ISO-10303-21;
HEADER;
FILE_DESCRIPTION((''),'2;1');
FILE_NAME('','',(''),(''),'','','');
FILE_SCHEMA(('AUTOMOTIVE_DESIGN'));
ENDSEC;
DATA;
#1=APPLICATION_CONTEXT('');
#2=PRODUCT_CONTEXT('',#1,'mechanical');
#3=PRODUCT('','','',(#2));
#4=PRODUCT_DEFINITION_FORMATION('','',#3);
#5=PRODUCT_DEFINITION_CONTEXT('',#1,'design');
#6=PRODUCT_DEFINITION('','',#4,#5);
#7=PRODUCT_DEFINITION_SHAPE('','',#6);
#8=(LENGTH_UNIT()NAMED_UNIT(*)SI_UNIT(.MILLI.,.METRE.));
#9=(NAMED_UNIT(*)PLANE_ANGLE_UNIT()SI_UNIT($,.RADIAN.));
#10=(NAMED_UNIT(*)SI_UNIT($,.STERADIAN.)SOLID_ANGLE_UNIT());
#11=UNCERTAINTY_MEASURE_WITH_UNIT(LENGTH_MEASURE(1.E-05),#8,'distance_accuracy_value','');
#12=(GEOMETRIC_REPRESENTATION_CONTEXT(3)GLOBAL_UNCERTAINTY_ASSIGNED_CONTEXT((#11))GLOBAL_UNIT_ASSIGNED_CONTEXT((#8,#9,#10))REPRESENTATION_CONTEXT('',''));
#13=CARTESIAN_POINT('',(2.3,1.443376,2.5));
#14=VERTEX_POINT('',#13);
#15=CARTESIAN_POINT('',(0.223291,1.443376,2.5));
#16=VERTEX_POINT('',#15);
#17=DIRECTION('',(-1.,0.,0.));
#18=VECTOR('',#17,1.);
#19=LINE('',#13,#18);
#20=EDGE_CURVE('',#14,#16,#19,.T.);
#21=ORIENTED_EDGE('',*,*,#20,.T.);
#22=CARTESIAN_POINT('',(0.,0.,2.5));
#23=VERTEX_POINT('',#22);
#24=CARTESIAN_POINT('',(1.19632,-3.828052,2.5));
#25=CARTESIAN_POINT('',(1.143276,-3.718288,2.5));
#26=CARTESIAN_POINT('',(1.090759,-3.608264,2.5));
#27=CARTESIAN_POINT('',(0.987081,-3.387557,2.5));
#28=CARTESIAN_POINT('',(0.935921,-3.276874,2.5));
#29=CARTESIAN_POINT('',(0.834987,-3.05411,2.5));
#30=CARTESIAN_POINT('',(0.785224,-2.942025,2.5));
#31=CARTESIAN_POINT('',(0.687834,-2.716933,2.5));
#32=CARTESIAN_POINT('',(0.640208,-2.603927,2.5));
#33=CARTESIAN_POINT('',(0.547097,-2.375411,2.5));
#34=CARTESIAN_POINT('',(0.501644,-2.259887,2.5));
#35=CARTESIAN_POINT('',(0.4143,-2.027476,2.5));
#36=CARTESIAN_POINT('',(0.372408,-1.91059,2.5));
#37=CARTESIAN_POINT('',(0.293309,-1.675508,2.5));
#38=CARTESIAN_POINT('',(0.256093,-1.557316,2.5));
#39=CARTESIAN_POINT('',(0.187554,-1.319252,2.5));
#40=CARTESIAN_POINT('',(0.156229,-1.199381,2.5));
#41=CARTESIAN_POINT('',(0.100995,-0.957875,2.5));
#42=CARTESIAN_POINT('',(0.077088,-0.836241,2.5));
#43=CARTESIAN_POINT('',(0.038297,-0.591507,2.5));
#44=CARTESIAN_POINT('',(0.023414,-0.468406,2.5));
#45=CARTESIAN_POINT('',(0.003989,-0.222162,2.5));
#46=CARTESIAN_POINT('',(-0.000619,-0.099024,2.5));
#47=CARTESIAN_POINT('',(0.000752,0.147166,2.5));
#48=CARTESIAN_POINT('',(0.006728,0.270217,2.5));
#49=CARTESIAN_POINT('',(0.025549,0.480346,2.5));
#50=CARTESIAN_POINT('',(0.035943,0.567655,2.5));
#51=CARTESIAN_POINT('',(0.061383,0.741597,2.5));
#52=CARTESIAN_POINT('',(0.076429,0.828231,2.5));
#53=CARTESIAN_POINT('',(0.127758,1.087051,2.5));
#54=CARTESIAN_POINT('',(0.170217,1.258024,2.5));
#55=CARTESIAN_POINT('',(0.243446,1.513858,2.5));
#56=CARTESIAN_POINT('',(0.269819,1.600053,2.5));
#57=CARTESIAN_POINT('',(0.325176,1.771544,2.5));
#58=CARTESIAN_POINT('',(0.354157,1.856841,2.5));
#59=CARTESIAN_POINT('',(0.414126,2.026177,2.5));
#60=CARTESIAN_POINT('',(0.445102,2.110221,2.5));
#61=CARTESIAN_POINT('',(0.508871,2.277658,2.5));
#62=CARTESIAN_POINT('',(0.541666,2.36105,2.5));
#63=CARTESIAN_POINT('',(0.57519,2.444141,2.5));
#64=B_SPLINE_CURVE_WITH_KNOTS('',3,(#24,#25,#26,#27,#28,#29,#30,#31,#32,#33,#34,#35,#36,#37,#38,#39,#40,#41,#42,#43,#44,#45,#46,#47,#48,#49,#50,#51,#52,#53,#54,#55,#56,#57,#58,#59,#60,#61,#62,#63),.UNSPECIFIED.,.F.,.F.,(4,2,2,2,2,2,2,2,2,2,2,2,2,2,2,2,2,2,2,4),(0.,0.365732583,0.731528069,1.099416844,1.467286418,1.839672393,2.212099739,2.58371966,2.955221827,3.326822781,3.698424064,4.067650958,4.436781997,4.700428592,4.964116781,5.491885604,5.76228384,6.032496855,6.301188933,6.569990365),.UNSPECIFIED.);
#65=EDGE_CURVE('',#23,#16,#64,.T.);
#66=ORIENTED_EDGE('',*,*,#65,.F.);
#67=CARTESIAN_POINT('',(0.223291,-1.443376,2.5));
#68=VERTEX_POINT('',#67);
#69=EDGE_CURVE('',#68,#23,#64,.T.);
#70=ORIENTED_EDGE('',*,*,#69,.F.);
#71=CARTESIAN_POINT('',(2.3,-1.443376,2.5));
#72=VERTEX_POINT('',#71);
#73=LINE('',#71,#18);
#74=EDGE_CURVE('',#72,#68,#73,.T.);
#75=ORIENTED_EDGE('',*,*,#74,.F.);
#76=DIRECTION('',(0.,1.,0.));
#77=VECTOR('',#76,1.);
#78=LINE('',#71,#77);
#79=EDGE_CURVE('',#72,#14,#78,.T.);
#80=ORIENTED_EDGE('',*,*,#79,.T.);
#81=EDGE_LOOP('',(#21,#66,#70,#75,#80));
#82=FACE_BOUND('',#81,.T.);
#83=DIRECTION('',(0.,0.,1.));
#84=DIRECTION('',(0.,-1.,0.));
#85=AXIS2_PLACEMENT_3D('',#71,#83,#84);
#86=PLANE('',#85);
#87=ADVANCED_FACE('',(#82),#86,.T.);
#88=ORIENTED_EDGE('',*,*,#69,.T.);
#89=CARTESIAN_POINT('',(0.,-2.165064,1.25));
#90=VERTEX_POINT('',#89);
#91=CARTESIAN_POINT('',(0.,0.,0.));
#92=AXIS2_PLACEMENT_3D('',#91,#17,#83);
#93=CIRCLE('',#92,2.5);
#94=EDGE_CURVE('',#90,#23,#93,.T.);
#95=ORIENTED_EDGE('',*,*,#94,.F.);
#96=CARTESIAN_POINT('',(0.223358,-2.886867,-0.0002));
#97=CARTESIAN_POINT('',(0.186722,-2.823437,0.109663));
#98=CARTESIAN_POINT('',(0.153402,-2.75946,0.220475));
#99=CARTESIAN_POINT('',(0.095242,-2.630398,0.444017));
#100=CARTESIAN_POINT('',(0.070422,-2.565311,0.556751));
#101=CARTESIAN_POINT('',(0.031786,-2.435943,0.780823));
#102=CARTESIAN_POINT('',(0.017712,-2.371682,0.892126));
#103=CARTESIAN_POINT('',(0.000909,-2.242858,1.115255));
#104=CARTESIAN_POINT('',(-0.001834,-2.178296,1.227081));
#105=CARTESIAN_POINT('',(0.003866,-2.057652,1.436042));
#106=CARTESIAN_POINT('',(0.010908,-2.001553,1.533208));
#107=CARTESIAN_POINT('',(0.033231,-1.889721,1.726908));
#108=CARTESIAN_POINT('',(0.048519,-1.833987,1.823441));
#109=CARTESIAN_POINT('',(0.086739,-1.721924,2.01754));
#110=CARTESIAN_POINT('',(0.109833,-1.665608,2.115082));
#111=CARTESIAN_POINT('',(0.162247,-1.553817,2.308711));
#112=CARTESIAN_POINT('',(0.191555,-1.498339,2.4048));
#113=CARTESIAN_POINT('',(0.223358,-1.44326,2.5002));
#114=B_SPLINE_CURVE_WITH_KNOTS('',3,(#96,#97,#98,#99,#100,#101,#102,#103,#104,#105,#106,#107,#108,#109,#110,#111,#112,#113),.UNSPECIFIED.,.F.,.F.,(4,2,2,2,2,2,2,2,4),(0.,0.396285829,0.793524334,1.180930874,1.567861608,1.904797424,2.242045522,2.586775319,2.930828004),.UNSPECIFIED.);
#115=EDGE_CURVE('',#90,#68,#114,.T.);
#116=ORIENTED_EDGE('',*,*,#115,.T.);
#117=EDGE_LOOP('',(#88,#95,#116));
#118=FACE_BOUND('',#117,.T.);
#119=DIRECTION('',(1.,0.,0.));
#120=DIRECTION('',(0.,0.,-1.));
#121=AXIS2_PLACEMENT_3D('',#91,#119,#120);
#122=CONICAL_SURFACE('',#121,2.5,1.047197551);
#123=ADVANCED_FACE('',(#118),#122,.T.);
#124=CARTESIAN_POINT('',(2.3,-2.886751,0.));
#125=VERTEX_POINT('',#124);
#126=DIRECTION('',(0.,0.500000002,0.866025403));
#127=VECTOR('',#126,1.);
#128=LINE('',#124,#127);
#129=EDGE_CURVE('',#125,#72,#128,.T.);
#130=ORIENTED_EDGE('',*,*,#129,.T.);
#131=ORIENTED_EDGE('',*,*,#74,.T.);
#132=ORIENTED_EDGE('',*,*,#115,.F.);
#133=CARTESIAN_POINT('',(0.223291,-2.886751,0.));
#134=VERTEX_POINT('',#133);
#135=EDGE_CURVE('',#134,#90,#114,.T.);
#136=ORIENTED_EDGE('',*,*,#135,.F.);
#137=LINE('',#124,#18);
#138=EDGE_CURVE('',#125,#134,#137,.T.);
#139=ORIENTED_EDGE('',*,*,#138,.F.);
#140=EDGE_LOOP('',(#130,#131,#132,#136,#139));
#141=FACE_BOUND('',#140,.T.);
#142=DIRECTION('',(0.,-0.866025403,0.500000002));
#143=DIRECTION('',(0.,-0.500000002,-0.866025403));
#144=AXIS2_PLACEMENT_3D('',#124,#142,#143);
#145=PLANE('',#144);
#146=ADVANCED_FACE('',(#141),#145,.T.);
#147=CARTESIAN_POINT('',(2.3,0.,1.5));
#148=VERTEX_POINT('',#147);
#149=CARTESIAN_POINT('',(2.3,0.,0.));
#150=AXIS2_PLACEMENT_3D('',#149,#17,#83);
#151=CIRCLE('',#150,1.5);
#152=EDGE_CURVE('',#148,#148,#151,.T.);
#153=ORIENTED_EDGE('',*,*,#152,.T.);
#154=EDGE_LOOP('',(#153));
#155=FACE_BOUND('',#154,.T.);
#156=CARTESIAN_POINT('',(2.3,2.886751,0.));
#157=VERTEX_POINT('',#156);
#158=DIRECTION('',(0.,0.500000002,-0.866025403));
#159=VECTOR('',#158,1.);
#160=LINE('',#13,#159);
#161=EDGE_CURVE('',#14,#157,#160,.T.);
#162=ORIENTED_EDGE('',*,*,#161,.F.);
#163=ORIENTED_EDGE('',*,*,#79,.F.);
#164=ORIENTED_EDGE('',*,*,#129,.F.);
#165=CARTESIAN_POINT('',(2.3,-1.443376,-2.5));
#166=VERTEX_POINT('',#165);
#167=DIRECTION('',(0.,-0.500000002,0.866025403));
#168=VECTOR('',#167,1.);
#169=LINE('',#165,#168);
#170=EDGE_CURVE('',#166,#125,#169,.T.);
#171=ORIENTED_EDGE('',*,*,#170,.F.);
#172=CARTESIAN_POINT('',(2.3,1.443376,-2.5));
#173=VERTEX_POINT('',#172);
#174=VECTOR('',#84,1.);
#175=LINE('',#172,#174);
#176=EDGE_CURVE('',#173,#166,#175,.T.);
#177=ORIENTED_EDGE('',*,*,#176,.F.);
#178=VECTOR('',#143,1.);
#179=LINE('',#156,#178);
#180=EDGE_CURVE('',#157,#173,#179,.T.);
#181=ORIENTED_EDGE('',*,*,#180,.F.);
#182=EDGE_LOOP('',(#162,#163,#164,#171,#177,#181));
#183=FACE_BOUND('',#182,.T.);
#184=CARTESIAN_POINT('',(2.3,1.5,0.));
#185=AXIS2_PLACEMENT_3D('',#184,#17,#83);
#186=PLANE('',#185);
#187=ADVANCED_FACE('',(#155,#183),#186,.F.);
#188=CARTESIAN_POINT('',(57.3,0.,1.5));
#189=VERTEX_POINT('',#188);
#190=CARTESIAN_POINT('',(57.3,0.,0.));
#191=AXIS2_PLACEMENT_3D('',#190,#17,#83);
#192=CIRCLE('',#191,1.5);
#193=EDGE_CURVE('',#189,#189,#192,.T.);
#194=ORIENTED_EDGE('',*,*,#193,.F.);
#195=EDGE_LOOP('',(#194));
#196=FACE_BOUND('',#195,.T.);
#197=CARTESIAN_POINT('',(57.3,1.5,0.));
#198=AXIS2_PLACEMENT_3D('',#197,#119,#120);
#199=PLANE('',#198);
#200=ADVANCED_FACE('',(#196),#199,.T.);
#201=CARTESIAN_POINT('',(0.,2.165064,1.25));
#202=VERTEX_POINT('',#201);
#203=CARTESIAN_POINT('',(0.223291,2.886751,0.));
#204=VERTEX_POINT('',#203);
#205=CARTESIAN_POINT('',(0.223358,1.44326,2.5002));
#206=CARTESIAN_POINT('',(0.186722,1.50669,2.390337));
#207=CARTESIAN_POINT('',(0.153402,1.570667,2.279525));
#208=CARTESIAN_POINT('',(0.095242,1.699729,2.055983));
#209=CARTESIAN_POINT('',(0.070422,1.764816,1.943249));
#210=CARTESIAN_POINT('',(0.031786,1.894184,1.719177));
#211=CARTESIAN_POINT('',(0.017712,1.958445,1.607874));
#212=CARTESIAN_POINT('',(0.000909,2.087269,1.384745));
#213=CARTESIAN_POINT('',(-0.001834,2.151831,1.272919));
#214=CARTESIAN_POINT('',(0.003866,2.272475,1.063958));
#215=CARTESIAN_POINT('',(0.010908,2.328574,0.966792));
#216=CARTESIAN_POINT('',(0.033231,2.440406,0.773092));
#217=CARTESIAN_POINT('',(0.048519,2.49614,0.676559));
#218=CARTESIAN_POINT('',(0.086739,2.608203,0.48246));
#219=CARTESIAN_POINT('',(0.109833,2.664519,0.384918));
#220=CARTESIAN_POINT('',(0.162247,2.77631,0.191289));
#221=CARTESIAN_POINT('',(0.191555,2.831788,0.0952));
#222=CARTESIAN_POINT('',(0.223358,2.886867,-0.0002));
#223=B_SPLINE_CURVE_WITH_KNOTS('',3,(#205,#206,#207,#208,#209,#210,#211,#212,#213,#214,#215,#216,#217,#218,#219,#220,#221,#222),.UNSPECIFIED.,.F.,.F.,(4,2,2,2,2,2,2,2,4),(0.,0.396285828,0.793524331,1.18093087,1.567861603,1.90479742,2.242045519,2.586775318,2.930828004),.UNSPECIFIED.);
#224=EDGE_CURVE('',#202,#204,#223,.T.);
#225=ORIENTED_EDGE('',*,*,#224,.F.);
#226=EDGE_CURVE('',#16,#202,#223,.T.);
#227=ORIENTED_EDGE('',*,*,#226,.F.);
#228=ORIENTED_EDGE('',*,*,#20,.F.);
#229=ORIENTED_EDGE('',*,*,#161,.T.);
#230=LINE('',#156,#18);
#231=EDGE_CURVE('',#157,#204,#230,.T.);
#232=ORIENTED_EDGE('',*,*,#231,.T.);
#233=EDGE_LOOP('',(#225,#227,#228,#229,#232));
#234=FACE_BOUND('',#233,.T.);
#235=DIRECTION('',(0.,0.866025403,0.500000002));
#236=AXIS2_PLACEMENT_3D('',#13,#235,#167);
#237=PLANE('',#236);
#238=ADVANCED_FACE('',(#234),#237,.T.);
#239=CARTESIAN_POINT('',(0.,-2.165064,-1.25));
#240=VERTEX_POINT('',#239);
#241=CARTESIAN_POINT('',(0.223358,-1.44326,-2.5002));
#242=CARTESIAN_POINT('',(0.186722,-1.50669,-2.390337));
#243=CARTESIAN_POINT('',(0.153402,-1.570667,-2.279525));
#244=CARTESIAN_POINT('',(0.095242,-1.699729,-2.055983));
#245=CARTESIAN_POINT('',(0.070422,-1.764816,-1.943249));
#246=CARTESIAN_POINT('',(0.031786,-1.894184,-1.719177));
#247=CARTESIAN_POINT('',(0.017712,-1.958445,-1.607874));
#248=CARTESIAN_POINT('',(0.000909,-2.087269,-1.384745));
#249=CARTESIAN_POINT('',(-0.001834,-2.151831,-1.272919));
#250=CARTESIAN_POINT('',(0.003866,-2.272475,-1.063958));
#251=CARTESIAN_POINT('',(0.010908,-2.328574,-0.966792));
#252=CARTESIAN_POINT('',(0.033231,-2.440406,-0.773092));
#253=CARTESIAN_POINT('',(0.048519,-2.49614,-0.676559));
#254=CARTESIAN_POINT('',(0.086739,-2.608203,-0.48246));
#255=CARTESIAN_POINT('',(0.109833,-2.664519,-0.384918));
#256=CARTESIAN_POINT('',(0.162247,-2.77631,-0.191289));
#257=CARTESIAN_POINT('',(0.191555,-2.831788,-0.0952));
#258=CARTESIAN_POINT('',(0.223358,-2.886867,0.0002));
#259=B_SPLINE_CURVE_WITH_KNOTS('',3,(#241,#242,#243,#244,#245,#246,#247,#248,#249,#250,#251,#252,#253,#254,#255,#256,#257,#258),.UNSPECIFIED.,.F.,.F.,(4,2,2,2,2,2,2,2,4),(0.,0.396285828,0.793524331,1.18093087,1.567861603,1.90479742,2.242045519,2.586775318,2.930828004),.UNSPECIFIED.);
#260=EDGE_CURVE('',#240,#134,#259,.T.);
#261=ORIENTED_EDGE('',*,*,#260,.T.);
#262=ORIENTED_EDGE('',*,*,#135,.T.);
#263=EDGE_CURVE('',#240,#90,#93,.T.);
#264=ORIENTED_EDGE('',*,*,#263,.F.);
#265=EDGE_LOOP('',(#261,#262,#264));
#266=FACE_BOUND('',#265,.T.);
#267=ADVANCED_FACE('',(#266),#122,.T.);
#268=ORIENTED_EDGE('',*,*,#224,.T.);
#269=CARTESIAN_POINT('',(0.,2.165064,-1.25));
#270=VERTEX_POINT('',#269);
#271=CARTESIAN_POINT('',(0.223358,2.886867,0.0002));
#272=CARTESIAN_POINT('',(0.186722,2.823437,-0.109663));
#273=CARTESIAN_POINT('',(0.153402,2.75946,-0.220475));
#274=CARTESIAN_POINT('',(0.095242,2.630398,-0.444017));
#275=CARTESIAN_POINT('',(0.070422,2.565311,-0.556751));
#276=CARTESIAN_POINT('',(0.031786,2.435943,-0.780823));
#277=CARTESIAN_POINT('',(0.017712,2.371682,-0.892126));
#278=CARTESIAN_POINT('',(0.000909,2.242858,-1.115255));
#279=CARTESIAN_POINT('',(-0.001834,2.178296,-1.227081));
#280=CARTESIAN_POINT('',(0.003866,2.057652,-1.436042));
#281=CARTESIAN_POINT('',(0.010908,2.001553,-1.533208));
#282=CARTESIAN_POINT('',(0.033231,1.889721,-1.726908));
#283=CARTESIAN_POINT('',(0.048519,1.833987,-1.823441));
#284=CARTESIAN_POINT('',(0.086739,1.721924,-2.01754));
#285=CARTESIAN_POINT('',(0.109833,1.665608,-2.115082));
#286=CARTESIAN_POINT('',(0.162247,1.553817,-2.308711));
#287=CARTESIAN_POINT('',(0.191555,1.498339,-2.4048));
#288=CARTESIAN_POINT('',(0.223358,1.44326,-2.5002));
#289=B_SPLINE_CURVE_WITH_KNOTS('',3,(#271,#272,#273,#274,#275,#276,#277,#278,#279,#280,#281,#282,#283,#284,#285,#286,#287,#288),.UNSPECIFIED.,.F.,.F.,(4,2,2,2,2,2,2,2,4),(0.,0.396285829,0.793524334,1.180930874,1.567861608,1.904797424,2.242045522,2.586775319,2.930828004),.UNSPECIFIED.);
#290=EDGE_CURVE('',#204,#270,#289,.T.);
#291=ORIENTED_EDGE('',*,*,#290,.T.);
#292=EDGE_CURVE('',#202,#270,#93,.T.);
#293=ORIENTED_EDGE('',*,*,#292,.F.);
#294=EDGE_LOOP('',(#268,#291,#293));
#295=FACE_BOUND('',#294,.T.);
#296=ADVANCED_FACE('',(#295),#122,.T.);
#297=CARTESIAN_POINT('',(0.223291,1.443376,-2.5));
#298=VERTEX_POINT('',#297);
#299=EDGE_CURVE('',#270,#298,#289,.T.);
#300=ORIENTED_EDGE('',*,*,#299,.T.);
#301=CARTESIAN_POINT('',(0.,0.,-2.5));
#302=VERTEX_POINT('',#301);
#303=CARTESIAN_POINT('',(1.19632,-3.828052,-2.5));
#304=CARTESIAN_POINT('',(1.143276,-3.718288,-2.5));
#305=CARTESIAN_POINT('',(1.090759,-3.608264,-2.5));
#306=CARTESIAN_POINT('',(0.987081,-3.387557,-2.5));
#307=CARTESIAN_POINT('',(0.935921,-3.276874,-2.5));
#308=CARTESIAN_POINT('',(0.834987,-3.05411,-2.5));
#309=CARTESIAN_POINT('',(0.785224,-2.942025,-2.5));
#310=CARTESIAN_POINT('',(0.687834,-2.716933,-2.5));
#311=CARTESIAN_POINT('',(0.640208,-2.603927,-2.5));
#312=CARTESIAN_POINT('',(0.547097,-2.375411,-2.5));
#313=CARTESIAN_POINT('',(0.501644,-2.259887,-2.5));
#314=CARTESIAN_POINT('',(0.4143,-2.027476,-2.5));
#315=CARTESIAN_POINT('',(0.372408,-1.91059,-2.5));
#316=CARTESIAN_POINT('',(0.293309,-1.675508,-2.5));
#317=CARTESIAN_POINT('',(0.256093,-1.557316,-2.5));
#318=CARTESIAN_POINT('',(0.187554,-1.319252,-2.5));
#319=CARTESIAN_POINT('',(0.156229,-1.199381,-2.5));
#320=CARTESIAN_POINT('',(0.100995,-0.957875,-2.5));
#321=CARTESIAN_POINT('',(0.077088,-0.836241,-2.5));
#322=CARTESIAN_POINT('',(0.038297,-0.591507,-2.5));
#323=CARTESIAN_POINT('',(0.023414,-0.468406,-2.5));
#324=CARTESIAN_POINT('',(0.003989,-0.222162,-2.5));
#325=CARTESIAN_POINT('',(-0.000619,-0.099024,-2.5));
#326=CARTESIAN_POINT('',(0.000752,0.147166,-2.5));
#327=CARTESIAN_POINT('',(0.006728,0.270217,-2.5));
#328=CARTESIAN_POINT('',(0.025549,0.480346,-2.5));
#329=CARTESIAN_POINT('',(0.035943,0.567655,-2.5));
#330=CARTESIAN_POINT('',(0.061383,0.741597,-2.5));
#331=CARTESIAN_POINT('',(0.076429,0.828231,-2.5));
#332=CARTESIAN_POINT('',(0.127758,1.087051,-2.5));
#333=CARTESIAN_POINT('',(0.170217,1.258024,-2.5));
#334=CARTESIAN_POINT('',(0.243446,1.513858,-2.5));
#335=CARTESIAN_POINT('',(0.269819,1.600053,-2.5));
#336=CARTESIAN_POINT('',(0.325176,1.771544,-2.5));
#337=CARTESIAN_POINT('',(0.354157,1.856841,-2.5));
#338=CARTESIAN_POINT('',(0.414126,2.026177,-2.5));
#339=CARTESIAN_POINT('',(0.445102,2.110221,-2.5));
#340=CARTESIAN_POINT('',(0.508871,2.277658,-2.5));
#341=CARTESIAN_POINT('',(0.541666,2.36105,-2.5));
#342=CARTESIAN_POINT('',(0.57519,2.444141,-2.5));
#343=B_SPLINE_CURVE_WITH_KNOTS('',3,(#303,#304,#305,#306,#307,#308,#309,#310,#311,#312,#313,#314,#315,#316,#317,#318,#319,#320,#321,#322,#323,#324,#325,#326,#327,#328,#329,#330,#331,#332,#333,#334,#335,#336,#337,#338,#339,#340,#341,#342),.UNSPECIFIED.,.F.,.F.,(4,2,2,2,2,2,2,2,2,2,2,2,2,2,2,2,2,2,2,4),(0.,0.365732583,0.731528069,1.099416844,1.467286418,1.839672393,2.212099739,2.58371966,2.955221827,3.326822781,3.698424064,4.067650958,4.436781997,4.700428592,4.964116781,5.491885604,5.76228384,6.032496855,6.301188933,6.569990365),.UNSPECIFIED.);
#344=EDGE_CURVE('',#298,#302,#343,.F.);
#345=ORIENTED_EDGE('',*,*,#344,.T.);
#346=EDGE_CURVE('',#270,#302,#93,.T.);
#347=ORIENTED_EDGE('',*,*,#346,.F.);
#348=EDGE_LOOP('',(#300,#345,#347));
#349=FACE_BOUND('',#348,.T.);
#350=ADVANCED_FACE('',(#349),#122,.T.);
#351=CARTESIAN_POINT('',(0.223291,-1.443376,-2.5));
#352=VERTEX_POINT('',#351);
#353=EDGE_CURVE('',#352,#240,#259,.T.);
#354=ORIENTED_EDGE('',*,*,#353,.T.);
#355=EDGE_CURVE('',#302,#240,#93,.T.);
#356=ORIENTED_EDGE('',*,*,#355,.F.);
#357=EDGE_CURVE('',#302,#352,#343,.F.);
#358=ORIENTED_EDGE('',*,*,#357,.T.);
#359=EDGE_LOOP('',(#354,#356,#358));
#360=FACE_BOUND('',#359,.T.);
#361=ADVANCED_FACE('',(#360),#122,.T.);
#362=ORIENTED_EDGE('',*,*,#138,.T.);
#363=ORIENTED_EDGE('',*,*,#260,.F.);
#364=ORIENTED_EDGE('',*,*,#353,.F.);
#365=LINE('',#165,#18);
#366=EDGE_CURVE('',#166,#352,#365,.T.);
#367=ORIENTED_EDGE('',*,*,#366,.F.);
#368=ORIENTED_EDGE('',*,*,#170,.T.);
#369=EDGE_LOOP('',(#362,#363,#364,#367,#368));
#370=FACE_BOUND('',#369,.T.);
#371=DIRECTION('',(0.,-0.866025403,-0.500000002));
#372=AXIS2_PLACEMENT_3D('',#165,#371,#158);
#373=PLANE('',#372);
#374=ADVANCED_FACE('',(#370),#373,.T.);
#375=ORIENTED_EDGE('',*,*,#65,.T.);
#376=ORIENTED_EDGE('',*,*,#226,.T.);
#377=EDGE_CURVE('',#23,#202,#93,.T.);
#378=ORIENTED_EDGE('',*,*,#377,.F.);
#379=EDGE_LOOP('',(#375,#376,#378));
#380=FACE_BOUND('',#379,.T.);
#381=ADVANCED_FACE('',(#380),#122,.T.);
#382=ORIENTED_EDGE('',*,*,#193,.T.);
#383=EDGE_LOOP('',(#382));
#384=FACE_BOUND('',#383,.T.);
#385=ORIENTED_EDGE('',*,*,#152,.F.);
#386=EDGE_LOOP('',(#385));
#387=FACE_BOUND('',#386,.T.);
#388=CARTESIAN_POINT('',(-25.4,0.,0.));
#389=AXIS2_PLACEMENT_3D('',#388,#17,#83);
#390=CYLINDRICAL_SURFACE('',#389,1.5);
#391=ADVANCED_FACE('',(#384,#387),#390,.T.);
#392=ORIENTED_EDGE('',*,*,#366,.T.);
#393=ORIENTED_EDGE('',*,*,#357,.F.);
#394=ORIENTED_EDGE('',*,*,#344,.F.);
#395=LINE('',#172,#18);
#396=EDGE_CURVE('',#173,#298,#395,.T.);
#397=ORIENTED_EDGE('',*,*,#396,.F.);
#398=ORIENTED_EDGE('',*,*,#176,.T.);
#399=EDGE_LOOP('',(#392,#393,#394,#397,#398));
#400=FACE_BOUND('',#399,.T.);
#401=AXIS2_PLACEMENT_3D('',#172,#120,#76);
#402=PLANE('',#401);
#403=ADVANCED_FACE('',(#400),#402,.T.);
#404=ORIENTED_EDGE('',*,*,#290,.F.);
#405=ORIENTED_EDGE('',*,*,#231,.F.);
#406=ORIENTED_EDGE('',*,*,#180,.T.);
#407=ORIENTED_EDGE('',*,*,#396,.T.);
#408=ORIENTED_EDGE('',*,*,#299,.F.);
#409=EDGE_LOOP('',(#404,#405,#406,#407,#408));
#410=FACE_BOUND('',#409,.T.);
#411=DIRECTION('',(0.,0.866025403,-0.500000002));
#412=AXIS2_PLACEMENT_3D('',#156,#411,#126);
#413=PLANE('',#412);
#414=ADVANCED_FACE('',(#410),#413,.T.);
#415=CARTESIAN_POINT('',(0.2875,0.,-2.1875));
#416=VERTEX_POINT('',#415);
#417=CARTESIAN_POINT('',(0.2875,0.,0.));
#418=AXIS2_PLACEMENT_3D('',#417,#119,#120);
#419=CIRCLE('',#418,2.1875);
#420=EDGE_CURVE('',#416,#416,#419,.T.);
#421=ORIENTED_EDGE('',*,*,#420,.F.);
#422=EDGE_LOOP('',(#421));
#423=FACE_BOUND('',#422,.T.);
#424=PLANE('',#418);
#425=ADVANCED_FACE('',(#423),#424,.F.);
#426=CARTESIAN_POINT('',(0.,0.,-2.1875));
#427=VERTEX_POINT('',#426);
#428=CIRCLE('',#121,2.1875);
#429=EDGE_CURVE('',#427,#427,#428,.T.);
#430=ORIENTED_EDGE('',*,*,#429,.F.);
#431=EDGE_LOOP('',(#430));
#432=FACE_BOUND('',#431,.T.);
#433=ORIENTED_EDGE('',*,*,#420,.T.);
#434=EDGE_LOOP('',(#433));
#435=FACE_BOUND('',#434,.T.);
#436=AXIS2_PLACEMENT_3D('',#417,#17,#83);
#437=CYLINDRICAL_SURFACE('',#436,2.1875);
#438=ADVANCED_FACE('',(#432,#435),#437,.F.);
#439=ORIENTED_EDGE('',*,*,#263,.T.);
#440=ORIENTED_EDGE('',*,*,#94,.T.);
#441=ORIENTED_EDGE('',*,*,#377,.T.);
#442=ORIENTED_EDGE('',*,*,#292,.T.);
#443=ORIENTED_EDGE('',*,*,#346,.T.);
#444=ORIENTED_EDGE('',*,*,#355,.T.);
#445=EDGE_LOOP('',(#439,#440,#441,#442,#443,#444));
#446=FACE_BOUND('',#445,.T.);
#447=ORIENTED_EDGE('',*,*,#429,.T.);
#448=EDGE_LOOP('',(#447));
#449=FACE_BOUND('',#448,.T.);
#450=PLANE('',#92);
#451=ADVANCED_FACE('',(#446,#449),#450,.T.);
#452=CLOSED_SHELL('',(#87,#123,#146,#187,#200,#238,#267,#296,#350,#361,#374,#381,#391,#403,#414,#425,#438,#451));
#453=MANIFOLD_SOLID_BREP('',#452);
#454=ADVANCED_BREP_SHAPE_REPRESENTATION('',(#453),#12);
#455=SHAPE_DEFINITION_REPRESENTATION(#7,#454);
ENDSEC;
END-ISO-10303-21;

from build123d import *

# Parameters (mm, degrees)
SKETCH2_R     = 2.915704388
HEX_DIE_DEPTH = 2.3
SKETCH4_R     = 2.1875
INDENT_DEPTH  = 0.2875


with BuildPart() as part:
    # BodySke → Base-Revolve (revolve)
    with BuildSketch(Plane.XY):
        Polygon((2.3, 1.5), (2.3, 2.886836028), (0.223339885, 2.886836028), (0, 2.5), (0, 0), (57.3, 0), (57.3, 1.5), align=None)
    revolve(axis=Axis((-25.4, 0, 0), (1, 0, 0)))

    # Sketch2 → Hex-Die (cut)
    with BuildSketch(Plane(origin=(0, 0, 0), x_dir=(0, 0, -1), z_dir=(1, 0, 0))):
        Circle(SKETCH2_R)
        Polygon((-2.5, 1.443375679), (0, 2.886751359), (2.5, 1.443375679), (2.5, -1.443375679), (0, -2.886751359), (-2.5, -1.443375679), align=None, mode=Mode.SUBTRACT)
    extrude(amount=HEX_DIE_DEPTH, mode=Mode.SUBTRACT)

    # Sketch4 → Indent (cut)
    with BuildSketch(Plane(origin=(0, 0, 0), x_dir=(0, 0, -1), z_dir=(1, 0, 0))):
        Circle(SKETCH4_R)
    extrude(amount=INDENT_DEPTH, mode=Mode.SUBTRACT)


solid = part.part
